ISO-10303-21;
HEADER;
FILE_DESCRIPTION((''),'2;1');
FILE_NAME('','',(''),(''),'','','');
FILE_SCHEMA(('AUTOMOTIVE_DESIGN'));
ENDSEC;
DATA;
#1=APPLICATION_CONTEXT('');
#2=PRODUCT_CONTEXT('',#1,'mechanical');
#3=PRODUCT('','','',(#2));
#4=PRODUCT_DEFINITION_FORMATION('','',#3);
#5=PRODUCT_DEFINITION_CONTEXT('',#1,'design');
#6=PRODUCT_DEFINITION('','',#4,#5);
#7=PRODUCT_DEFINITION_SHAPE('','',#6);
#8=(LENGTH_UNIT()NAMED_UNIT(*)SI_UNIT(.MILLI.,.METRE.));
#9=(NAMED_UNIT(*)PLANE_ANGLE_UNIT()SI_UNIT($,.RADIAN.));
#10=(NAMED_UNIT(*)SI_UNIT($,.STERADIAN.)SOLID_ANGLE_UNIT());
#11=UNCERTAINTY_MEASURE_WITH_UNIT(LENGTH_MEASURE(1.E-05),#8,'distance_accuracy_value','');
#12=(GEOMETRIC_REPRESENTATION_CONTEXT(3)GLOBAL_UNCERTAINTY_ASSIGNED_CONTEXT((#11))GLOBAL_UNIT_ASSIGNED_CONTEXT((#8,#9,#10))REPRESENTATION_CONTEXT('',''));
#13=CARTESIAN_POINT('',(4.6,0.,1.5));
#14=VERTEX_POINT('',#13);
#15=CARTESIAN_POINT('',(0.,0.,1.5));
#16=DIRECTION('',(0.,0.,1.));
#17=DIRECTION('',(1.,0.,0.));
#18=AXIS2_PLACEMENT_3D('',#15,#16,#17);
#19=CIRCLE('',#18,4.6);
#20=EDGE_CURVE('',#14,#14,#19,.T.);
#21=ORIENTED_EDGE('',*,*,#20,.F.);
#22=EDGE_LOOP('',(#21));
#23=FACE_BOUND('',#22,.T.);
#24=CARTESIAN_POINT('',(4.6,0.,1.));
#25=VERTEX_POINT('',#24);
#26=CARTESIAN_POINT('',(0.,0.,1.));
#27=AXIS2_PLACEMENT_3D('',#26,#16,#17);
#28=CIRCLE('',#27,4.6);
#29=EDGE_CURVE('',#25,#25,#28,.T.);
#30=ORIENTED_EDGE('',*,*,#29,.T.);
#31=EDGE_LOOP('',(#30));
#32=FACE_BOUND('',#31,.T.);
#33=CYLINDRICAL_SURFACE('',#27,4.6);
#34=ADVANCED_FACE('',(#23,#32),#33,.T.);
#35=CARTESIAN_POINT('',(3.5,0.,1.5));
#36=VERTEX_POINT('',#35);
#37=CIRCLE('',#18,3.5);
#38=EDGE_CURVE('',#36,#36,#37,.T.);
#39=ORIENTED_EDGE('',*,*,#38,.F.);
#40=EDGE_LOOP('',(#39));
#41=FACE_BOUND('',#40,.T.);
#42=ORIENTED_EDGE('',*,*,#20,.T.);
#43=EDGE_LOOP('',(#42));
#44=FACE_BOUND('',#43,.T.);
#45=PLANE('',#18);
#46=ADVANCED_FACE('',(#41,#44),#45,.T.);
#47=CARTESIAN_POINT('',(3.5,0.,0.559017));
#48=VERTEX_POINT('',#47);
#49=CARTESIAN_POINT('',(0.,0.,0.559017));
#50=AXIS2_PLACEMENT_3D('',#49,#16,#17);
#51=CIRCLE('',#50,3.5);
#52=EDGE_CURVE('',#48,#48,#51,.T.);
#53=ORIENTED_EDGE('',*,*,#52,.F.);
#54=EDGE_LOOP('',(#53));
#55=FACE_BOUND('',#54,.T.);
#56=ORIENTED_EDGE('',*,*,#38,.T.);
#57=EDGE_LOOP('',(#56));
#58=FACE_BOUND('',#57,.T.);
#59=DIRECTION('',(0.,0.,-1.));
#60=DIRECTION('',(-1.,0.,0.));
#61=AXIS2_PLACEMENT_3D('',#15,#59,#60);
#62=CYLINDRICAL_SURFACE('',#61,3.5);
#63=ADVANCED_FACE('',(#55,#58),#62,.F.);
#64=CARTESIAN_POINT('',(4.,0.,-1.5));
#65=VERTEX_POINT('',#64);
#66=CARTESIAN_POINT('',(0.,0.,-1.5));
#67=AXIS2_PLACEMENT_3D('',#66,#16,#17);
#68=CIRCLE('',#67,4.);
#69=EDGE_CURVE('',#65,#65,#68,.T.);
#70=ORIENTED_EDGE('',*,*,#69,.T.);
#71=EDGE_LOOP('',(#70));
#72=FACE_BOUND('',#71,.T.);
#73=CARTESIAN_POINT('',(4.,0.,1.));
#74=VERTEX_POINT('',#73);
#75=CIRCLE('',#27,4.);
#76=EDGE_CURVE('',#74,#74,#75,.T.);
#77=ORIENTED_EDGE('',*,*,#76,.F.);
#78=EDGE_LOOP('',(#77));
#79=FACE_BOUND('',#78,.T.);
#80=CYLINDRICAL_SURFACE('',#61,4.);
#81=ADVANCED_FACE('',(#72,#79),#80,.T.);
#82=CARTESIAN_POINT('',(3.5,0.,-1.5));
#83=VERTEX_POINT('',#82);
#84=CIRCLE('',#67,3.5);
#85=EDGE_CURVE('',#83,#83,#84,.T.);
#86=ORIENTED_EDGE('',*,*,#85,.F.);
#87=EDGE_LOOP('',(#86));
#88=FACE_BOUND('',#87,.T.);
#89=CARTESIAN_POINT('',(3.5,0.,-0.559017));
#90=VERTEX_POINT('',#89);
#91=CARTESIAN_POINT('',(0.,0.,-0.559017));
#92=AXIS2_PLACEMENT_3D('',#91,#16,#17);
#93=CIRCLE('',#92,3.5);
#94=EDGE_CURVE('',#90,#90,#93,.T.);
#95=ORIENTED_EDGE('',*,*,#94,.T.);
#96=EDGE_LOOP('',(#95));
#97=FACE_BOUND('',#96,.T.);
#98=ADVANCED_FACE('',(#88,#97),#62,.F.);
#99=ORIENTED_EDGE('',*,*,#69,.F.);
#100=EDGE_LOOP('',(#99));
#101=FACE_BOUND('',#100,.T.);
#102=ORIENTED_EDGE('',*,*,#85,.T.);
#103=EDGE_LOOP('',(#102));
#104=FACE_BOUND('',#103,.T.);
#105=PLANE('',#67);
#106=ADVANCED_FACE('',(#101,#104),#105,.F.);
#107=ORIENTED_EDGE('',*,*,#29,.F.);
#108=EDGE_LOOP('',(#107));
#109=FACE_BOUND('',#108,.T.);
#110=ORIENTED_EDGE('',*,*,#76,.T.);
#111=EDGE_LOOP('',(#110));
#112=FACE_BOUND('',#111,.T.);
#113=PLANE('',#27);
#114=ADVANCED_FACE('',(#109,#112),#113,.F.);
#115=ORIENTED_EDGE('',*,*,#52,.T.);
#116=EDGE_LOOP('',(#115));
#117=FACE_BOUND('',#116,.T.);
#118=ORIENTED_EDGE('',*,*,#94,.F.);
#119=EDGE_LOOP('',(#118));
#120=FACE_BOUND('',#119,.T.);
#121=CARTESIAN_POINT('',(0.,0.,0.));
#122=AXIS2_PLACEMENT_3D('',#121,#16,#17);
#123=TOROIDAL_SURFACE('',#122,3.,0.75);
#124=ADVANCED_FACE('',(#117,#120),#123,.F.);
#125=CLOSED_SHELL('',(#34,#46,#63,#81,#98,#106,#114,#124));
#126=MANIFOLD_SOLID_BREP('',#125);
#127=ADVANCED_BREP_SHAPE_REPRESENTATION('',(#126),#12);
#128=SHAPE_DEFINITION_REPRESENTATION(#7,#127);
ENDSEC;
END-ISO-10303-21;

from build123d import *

# Parameters (mm, degrees)
ESQUISSE1_R        = 4
ESQUISSE1_R_2      = 3.5
BOSS_EXTRU_1_DEPTH = 1.5
ESQUISSE2_R        = 4.6
ESQUISSE2_R_2      = 4
BOSS_EXTRU_2_DEPTH = 0.5


with BuildPart() as part:
    # Esquisse1 → Boss.-Extru.1 (new, symmetric)
    with BuildSketch(Plane.XY):
        Circle(ESQUISSE1_R)
        Circle(ESQUISSE1_R_2, mode=Mode.SUBTRACT)
    extrude(amount=BOSS_EXTRU_1_DEPTH, both=True)

    # Esquisse2 → Boss.-Extru.2 (add)
    with BuildSketch(Plane.XY.offset(1.5)):
        Circle(ESQUISSE2_R)
        Circle(ESQUISSE2_R_2, mode=Mode.SUBTRACT)
    extrude(amount=-BOSS_EXTRU_2_DEPTH)

    # Esquisse3 → Enlèvement de matière-Révolution1 (revolve, cut)
    with BuildSketch(Plane(origin=(0, 0, 0), x_dir=(1, 0, 0), z_dir=(0, 1, 0)), mode=Mode.PRIVATE) as enl_vement_de_mati_re_r_volution1_sk:
        with BuildLine():
            Line((-3.5, -0.559016994), (-3.5, 0.559016994))
            ThreePointArc((-3.5, 0.559016994), (-3.75, 0), (-3.5, -0.559016994))
        make_face()
    revolve(enl_vement_de_mati_re_r_volution1_sk.sketch.rotate(Axis((0, 0, 1.5), (0, 0, -1)), 180), axis=Axis((0, 0, 1.5), (0, 0, -1)), mode=Mode.SUBTRACT)


solid = part.part
